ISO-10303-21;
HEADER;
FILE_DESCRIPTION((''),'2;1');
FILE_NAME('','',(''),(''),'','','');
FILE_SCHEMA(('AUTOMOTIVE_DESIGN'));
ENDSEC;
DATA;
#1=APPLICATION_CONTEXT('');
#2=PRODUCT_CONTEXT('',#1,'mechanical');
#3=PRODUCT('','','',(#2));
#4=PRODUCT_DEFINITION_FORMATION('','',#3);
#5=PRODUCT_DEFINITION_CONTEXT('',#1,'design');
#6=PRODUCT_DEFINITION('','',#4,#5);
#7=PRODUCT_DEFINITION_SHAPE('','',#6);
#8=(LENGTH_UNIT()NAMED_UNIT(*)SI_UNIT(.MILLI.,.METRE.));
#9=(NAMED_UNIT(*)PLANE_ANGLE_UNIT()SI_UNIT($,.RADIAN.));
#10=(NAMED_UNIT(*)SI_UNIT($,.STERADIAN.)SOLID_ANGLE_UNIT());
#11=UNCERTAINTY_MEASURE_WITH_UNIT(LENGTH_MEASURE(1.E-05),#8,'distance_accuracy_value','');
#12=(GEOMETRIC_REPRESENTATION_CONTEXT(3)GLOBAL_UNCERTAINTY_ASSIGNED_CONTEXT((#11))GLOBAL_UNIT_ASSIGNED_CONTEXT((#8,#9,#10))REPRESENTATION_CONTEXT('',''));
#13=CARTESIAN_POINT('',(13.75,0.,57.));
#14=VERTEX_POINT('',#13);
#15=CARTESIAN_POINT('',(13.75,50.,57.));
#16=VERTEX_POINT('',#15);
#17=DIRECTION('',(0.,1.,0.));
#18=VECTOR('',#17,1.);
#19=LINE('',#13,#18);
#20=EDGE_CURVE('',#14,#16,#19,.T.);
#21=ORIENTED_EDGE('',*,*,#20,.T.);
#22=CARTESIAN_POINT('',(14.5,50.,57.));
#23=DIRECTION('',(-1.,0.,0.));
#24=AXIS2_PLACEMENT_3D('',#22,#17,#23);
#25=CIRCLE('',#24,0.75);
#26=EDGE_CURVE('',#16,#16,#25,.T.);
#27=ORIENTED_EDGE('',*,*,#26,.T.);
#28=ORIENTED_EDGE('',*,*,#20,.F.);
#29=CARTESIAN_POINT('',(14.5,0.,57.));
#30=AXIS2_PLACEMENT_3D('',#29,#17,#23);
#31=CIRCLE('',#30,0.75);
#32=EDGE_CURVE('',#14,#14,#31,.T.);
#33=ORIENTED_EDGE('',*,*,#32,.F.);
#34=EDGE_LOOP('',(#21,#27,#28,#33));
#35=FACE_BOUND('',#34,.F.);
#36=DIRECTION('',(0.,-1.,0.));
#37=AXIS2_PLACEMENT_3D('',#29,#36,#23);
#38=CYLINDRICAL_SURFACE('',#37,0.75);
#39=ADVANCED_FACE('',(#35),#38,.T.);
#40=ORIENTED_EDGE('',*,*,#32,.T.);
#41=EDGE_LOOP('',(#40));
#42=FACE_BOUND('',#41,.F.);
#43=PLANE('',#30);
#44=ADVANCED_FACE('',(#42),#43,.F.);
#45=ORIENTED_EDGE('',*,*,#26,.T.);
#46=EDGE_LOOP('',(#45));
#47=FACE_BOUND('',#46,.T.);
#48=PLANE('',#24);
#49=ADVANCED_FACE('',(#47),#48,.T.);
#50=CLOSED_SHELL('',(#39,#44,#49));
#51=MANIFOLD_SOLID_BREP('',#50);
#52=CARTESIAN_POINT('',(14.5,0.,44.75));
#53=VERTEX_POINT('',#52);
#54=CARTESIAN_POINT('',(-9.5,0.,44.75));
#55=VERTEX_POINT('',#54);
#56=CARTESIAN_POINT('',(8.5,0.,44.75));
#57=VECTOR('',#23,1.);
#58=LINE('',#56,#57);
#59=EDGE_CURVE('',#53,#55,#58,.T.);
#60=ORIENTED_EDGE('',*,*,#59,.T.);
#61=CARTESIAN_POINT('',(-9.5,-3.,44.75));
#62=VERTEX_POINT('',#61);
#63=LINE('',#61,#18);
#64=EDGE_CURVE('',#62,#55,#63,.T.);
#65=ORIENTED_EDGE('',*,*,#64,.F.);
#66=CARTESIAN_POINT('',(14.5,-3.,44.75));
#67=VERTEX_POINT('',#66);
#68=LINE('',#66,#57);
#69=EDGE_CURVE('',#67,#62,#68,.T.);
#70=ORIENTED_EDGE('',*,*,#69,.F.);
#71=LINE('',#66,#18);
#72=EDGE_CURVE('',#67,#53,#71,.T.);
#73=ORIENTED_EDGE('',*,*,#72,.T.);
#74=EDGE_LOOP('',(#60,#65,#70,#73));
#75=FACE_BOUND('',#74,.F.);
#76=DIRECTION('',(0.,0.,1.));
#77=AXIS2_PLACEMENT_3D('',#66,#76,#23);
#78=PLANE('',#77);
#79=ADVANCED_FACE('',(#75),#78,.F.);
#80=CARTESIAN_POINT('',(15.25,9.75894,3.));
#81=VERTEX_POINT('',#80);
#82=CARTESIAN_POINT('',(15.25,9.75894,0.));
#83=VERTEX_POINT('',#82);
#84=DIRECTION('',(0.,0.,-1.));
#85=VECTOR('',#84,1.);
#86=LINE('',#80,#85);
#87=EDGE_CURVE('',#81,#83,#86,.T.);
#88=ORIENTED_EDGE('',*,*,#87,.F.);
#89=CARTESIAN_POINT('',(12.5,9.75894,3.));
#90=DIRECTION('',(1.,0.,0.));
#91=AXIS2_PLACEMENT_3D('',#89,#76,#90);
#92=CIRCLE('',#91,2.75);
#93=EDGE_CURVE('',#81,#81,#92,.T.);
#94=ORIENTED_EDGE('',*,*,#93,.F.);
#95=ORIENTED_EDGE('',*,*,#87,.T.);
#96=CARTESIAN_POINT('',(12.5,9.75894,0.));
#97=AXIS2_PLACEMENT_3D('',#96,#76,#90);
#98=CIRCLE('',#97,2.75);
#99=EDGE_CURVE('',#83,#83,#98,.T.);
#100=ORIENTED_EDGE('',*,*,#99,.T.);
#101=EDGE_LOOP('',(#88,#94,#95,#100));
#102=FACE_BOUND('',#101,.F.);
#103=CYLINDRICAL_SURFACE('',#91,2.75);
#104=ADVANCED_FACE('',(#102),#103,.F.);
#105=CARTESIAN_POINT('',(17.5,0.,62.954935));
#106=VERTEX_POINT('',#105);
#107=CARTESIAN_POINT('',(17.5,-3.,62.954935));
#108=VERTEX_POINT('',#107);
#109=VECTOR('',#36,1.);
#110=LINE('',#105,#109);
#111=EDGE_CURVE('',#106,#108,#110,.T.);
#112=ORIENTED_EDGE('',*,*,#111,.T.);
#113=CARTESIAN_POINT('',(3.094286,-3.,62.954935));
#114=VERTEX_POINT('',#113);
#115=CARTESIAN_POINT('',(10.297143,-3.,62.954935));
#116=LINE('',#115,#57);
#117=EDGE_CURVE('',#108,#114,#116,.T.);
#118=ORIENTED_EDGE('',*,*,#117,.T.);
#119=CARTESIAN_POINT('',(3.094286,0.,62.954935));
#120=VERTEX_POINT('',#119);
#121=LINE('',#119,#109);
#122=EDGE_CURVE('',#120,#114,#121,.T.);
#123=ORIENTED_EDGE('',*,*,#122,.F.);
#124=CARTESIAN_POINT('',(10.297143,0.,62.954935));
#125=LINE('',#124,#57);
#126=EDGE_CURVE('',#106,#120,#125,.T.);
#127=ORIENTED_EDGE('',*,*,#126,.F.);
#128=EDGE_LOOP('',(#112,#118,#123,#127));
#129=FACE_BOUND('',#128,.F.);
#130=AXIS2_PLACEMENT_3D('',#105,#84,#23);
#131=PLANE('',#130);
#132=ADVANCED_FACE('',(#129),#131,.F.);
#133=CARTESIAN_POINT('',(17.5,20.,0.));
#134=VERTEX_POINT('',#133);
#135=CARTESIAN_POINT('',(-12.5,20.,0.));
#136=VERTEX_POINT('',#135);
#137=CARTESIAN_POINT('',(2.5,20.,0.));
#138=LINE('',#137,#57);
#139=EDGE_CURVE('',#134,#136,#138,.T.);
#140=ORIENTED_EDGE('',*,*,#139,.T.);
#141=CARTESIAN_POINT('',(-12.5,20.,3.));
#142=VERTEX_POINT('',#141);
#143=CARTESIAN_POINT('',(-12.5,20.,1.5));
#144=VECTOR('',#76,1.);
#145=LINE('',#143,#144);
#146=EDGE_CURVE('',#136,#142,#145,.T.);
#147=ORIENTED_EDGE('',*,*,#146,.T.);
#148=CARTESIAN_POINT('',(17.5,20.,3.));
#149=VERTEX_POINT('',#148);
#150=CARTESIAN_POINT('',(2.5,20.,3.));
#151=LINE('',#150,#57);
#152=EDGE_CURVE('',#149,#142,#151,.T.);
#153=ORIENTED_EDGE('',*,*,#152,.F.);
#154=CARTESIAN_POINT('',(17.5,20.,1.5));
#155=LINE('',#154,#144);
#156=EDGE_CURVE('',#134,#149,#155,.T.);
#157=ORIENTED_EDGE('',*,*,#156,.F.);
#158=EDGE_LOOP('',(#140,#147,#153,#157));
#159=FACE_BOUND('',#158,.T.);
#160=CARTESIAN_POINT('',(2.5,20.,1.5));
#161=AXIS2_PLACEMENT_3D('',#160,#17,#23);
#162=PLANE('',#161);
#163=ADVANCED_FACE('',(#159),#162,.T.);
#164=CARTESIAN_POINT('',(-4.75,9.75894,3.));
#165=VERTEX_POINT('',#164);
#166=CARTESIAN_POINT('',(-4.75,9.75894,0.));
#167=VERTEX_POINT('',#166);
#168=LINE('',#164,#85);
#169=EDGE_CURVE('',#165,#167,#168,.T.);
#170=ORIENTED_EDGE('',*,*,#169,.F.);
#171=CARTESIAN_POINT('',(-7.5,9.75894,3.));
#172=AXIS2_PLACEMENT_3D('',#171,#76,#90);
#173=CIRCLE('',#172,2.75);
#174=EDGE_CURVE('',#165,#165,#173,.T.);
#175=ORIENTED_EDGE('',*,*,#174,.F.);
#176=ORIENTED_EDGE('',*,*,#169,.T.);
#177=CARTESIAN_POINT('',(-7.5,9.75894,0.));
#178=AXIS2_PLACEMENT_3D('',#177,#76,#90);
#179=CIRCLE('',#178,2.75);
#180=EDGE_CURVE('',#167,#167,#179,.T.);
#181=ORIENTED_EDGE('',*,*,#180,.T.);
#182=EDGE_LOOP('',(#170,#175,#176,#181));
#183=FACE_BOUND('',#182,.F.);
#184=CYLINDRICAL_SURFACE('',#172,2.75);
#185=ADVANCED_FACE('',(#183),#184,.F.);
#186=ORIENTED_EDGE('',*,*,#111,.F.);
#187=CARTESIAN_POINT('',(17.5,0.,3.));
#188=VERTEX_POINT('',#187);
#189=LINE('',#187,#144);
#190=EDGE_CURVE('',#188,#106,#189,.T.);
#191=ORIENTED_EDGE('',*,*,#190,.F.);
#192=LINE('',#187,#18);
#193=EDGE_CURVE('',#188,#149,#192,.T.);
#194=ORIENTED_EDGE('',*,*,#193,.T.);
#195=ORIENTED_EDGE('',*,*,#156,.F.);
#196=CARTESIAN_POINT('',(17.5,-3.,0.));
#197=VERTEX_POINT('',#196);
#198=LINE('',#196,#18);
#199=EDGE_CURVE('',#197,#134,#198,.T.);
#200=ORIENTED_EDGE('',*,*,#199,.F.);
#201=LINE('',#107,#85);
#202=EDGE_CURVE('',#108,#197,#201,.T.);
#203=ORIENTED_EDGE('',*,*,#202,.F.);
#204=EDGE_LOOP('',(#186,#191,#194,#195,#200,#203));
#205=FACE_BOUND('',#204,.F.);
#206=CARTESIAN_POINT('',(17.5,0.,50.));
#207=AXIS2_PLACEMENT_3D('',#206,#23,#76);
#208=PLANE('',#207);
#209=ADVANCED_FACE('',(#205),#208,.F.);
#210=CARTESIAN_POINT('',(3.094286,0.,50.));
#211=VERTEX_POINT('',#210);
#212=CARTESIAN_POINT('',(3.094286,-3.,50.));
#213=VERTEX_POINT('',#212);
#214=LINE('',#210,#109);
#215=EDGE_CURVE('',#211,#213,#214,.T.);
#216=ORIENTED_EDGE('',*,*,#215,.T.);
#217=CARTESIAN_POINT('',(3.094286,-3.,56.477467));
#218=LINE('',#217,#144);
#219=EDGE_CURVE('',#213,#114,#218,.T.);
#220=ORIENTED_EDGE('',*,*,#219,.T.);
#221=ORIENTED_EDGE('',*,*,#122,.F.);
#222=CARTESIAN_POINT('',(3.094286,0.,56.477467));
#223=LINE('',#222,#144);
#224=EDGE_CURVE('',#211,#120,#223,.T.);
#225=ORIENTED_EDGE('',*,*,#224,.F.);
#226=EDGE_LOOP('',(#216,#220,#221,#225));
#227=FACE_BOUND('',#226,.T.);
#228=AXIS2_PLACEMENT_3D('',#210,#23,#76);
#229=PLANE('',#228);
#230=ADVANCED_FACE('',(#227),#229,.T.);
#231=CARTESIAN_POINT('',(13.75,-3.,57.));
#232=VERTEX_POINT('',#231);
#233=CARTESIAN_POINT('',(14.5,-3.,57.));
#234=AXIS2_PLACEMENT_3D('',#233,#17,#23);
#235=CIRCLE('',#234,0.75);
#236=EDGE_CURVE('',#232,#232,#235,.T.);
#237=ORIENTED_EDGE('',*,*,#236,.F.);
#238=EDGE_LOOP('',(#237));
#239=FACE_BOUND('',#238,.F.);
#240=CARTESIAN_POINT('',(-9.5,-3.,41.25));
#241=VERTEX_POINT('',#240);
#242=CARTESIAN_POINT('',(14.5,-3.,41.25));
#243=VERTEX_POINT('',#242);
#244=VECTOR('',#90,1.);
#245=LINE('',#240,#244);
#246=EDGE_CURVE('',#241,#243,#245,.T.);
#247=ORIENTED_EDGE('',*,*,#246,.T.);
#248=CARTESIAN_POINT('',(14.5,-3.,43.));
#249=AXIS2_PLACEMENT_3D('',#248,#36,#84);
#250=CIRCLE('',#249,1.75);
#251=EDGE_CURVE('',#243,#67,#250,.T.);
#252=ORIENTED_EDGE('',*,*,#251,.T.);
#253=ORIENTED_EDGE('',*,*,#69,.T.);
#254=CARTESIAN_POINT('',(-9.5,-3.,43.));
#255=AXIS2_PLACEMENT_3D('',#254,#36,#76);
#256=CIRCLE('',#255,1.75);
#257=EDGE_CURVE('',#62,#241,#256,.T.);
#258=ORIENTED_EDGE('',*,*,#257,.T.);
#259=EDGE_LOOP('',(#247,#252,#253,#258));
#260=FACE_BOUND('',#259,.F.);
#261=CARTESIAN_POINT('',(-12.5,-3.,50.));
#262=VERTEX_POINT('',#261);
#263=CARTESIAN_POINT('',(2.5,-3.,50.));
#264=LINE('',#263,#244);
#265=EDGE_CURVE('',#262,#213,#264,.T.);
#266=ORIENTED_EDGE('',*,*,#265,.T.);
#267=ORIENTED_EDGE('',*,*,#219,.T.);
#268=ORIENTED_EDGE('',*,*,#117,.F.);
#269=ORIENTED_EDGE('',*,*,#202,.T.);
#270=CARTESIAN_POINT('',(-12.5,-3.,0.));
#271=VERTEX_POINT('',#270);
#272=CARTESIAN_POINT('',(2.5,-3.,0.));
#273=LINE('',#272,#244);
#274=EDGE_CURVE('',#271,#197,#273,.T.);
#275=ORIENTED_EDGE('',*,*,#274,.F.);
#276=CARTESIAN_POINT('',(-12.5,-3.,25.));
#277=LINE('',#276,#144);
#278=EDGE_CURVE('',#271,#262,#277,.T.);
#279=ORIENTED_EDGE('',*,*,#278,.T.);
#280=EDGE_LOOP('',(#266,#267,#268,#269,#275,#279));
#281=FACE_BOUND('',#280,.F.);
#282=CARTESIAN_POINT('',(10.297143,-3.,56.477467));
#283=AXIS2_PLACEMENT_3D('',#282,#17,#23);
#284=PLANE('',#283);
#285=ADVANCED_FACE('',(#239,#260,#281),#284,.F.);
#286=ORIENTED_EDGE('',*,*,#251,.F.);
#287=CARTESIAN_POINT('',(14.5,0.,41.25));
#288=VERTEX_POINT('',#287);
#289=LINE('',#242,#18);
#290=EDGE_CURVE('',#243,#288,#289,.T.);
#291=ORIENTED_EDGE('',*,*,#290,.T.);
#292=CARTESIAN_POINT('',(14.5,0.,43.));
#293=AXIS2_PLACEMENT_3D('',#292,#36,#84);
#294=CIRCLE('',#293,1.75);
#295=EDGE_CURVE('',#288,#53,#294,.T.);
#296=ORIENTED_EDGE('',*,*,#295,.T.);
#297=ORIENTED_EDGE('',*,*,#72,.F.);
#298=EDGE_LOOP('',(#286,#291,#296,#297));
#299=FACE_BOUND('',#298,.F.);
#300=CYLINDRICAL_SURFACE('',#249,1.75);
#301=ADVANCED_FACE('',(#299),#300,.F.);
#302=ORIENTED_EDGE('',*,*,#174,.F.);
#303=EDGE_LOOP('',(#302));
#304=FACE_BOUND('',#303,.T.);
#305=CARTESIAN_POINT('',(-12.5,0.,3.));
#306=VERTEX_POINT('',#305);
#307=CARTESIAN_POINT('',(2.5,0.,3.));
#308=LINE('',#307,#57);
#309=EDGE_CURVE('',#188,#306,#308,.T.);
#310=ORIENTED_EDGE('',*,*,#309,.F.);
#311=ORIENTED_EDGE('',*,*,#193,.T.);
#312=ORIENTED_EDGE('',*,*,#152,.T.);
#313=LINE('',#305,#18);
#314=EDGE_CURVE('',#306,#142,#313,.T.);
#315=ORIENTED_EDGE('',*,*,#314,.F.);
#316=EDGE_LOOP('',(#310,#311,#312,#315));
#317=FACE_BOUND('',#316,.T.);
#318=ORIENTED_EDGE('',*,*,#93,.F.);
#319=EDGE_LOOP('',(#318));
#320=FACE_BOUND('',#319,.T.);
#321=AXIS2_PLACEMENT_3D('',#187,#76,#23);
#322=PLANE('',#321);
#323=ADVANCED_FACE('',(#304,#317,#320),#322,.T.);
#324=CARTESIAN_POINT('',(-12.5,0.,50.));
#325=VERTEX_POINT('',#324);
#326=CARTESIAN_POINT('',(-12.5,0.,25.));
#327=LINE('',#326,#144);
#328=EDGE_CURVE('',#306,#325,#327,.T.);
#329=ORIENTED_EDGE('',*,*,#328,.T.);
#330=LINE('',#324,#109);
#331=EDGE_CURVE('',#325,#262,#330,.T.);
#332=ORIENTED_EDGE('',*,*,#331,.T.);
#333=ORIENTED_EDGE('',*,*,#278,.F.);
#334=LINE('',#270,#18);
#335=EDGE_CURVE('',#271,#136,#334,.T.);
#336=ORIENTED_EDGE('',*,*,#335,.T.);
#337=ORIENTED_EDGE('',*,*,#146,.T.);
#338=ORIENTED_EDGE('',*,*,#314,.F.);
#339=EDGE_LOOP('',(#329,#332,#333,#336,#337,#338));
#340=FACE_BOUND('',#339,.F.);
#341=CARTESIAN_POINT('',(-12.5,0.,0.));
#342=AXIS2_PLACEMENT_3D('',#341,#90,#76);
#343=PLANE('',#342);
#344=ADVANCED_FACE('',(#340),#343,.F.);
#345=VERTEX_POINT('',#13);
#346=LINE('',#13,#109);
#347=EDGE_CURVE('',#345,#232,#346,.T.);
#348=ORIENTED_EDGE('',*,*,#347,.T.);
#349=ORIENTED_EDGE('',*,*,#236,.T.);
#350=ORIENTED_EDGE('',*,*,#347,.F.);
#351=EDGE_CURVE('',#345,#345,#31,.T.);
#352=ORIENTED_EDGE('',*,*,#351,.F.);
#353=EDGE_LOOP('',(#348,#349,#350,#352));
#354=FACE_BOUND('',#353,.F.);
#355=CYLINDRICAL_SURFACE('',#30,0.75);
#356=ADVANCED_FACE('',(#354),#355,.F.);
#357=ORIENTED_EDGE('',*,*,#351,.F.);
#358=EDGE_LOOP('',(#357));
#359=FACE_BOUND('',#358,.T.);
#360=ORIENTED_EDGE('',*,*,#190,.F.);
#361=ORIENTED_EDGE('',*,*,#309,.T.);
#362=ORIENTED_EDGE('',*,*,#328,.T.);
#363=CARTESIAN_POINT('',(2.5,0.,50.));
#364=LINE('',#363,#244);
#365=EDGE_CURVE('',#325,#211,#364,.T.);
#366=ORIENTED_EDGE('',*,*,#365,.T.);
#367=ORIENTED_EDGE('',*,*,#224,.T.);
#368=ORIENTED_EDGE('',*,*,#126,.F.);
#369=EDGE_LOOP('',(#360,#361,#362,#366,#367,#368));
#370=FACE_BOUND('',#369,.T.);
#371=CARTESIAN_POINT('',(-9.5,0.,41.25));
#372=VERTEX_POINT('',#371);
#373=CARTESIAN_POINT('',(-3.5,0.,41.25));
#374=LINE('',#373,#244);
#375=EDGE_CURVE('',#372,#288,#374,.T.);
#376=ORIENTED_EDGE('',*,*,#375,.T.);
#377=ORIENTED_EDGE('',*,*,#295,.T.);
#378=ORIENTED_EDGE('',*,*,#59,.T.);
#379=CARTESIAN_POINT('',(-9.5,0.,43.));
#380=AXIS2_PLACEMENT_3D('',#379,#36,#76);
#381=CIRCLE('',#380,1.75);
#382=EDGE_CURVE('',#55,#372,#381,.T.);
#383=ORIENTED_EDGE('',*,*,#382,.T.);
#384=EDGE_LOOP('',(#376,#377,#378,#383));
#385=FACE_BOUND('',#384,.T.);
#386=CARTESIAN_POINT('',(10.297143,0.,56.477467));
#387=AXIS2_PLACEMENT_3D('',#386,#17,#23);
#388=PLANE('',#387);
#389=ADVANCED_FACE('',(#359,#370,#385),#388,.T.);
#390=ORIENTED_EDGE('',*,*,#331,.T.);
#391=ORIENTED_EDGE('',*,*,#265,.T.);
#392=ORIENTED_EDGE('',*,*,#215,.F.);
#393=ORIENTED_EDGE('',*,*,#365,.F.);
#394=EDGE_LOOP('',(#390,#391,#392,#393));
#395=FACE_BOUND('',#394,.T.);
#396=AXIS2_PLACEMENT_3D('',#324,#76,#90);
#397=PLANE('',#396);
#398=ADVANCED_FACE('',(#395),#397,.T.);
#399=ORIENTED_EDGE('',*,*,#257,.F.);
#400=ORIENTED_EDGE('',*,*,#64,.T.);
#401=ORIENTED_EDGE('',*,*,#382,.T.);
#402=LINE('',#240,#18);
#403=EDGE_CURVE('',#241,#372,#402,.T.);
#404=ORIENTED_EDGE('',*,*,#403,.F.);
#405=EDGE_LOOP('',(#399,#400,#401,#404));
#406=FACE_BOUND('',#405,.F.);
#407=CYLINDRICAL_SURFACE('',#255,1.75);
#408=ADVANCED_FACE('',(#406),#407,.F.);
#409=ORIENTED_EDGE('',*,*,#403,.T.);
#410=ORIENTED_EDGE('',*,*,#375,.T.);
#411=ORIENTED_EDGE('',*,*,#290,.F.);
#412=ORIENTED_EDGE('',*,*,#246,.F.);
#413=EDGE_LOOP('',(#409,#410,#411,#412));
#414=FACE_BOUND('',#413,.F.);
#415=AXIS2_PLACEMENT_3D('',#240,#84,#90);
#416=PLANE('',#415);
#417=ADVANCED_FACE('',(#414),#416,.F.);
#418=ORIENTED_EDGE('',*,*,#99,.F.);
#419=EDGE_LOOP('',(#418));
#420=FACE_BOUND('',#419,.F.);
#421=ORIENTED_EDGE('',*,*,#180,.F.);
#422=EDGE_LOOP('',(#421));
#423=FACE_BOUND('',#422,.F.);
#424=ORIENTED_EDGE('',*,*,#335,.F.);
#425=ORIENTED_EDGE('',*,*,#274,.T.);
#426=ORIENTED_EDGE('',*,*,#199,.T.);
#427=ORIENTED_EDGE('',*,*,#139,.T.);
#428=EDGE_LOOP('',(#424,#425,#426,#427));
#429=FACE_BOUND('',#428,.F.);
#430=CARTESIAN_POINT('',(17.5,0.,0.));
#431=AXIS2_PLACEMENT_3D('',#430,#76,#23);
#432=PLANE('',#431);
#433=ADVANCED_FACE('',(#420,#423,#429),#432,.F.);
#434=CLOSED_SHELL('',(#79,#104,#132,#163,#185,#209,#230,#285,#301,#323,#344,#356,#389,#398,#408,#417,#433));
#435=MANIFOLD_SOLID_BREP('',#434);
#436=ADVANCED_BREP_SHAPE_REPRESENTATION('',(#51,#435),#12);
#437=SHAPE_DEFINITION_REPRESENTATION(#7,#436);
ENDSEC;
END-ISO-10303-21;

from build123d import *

# Parameters (mm, degrees)
F0_W      = 30
F0_H      = 50
F1_DEPTH  = 3
F2_W      = 30
F2_H      = 3
F3_DEPTH  = 20
F4_R      = 2.75
F5_DEPTH  = 3.001
F7_DEPTH  = 23.001
F8_W      = 14.4057143981
F8_H      = 12.954934624
F8_R      = 0.75
F9_DEPTH  = 3
F10_R     = 0.75
F11_DEPTH = 50


with BuildPart() as f1:
    # F0 (on Front) → F1 (new body)
    with BuildSketch(Plane.XZ):
        with Locations((2.5, 25)):
            Rectangle(F0_W, F0_H)
    extrude(amount=F1_DEPTH)

    # F2 (on face) → F3 (join)
    with BuildSketch(Plane(origin=(0, 0, 0), x_dir=(-1, 0, 0), z_dir=(0, 1, 0))):
        with Locations((-2.5, 1.5)):
            Rectangle(F2_W, F2_H)
    extrude(amount=F3_DEPTH)

    # F4 (on face) → F5 (cut, through all)
    with BuildSketch(Plane.XY.offset(3)):
        with Locations((12.5, 9.7589399666)):
            Circle(F4_R)
        with Locations((-7.5, 9.7589399666)):
            Circle(F4_R)
    extrude(amount=-F5_DEPTH, mode=Mode.SUBTRACT)

    # F6 (on face) → F7 (cut, through all)
    with BuildSketch(Plane.XZ.offset(3)):
        with BuildLine():
            Line((14.5, 44.75), (-9.5, 44.75))
            ThreePointArc((-9.5, 44.75), (-11.25, 43), (-9.5, 41.25))
            Line((-9.5, 41.25), (14.5, 41.25))
            ThreePointArc((14.5, 41.25), (16.25, 43), (14.5, 44.75))
        make_face()
    extrude(amount=-F7_DEPTH, mode=Mode.SUBTRACT)

    # F8 (on face) → F9 (join, through all)
    with BuildSketch(Plane(origin=(0, 0, 0), x_dir=(-1, 0, 0), z_dir=(0, 1, 0))):
        with Locations((-10.2971428009, 56.477467312)):
            Rectangle(F8_W, F8_H)
        with Locations((-14.5, 57)):
            Circle(F8_R, mode=Mode.SUBTRACT)
    extrude(amount=-F9_DEPTH)


with BuildPart() as f11:
    # F10 (on face) → F11 (new body)
    with BuildSketch(Plane(origin=(0, 0, 0), x_dir=(-1, 0, 0), z_dir=(0, 1, 0))):
        with Locations((-14.5, 57)):
            Circle(F10_R)
    extrude(amount=F11_DEPTH)


solid = Compound([f1.part, f11.part])
